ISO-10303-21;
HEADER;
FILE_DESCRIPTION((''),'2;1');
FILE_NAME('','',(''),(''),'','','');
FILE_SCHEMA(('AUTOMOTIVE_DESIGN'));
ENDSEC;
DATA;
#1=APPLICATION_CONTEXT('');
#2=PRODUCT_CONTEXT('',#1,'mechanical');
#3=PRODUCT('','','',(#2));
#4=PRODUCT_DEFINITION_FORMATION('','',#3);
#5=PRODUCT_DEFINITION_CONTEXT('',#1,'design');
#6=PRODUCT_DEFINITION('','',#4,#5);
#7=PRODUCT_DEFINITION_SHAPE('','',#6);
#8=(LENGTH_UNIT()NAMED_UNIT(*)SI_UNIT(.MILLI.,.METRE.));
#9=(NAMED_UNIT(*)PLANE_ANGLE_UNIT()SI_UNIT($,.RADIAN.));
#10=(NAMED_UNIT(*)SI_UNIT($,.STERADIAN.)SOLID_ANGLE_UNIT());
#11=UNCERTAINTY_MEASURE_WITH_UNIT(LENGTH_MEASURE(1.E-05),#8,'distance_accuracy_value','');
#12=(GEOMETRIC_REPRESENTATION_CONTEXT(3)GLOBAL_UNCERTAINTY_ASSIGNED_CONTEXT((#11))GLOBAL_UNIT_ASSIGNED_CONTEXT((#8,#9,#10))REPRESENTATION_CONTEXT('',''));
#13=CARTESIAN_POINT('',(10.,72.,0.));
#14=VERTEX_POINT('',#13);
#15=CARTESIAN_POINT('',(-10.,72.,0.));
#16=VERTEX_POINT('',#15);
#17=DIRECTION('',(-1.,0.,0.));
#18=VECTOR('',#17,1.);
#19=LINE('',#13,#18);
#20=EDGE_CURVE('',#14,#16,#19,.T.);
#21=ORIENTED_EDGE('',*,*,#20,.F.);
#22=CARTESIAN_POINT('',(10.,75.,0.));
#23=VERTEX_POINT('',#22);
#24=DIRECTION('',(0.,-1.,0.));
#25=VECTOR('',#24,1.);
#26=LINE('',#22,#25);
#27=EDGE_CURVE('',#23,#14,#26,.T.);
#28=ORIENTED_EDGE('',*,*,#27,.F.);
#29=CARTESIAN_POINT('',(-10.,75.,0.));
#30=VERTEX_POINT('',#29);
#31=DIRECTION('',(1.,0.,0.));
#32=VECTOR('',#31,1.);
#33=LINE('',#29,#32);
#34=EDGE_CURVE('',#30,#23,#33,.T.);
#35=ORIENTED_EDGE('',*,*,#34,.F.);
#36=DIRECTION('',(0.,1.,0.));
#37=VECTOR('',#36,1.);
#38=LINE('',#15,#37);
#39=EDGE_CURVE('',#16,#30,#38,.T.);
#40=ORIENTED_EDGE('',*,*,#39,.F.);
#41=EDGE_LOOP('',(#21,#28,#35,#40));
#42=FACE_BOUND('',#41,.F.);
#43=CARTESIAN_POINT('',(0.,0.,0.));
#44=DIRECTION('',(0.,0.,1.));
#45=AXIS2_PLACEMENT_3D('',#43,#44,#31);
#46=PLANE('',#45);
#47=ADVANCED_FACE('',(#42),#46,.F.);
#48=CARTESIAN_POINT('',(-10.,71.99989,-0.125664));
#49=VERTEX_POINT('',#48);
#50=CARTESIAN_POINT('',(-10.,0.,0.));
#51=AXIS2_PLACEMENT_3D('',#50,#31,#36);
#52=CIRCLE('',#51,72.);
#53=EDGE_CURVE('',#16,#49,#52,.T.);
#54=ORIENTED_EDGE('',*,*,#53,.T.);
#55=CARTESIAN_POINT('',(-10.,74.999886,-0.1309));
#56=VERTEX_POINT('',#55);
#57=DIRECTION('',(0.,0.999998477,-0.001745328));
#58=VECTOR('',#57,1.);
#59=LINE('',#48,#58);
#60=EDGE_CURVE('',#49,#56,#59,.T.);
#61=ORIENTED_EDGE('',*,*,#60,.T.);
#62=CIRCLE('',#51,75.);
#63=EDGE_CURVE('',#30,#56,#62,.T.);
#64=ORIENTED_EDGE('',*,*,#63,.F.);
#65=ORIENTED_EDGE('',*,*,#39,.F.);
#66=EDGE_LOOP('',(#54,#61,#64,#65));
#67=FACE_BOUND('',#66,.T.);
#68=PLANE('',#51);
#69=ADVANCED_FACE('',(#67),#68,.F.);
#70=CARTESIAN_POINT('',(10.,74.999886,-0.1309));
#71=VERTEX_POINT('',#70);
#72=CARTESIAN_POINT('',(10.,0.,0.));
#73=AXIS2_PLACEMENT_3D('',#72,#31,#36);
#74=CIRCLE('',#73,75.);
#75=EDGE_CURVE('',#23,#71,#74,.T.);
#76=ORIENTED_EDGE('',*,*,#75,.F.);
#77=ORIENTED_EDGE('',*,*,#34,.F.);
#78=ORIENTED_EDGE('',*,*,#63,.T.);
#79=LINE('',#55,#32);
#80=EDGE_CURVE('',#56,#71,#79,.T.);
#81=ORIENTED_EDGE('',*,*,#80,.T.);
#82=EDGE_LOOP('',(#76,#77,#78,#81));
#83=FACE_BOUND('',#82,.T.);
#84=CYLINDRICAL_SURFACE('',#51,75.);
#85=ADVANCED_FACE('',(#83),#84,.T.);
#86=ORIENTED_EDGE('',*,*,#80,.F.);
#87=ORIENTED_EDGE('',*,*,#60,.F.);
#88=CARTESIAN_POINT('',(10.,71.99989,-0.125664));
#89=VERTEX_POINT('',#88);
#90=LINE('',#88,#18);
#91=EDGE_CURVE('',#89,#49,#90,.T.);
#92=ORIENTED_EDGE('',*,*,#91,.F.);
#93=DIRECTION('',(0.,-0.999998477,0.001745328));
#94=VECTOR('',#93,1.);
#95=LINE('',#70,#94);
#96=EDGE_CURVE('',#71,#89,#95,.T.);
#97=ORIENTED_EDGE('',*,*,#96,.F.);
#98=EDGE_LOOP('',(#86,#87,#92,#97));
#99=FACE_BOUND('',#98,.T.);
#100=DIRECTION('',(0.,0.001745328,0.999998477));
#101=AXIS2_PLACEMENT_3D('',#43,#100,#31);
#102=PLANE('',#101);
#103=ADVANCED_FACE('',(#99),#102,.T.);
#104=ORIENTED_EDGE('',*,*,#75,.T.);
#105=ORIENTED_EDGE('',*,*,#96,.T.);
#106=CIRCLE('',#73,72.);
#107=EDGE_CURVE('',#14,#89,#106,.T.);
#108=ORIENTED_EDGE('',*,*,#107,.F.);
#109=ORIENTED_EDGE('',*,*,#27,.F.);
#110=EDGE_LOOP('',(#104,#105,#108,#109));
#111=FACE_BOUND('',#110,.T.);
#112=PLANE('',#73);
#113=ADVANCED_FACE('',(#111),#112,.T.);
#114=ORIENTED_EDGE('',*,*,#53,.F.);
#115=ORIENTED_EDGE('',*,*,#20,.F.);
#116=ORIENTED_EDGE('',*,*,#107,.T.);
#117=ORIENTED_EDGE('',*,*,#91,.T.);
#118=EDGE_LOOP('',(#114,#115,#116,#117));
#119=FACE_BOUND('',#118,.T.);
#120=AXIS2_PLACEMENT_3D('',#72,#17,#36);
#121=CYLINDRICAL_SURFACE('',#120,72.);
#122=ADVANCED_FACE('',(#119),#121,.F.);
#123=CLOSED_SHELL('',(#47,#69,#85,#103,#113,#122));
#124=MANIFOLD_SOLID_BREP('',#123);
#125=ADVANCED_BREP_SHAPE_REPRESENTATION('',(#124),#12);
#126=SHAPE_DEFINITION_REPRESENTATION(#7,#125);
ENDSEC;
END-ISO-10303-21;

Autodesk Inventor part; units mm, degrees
ref_plane "YZ Plane" through (0, 0, 0) normal (1, 0, 0) x (0, 1, 0)
ref_plane "XZ Plane" through (0, 0, 0) normal (0, 1, 0) x (-1, 0, 0)
ref_plane "XY Plane" through (0, 0, 0) normal (0, 0, 1) x (1, 0, 0)
sketch "Sketch1" plane through (0, 0, 0) normal (0, 0, 1) x (1, 0, 0)
  line L0 (-10, 75) -> (10, 75)
  line L1 (10, 75) -> (10, 72)
  line L2 (10, 72) -> (-10, 72)
  line L3 (-10, 72) -> (-10, 75)
  line L4 (-14, 0) -> (14, 0) projected
  point P0 (0, 0)
  point P1 (0, 75)
  dimension "d2" = 3
  dimension "d3" = 20
  dimension "d4" = 75
revolve "Revolution1" add sketch "Sketch1" angle 359.9 about axis through (-10, 0, 0) along (1, 0, 0)
equation "\"BendReliefWidth\" = Thickness"
equation "\"BendReliefDepth\" = 0.5 * Thickness"
equation "\"CornerReliefSize\" = 4 * Thickness"
equation "\"MinimumRemnant\" = 2 * Thickness"
equation "\"TransitionRadius\" = BendRadius"
equation "\"JacobiRadiusSize\" = BendRadius"
equation "\"GapSize\" = Thickness"
equation "\"Thickness\" = 3"
equation "\"BendRadius\" = 5"
properties part number "MSC 038 flange cover ring 500" material "Stainless Steel"
